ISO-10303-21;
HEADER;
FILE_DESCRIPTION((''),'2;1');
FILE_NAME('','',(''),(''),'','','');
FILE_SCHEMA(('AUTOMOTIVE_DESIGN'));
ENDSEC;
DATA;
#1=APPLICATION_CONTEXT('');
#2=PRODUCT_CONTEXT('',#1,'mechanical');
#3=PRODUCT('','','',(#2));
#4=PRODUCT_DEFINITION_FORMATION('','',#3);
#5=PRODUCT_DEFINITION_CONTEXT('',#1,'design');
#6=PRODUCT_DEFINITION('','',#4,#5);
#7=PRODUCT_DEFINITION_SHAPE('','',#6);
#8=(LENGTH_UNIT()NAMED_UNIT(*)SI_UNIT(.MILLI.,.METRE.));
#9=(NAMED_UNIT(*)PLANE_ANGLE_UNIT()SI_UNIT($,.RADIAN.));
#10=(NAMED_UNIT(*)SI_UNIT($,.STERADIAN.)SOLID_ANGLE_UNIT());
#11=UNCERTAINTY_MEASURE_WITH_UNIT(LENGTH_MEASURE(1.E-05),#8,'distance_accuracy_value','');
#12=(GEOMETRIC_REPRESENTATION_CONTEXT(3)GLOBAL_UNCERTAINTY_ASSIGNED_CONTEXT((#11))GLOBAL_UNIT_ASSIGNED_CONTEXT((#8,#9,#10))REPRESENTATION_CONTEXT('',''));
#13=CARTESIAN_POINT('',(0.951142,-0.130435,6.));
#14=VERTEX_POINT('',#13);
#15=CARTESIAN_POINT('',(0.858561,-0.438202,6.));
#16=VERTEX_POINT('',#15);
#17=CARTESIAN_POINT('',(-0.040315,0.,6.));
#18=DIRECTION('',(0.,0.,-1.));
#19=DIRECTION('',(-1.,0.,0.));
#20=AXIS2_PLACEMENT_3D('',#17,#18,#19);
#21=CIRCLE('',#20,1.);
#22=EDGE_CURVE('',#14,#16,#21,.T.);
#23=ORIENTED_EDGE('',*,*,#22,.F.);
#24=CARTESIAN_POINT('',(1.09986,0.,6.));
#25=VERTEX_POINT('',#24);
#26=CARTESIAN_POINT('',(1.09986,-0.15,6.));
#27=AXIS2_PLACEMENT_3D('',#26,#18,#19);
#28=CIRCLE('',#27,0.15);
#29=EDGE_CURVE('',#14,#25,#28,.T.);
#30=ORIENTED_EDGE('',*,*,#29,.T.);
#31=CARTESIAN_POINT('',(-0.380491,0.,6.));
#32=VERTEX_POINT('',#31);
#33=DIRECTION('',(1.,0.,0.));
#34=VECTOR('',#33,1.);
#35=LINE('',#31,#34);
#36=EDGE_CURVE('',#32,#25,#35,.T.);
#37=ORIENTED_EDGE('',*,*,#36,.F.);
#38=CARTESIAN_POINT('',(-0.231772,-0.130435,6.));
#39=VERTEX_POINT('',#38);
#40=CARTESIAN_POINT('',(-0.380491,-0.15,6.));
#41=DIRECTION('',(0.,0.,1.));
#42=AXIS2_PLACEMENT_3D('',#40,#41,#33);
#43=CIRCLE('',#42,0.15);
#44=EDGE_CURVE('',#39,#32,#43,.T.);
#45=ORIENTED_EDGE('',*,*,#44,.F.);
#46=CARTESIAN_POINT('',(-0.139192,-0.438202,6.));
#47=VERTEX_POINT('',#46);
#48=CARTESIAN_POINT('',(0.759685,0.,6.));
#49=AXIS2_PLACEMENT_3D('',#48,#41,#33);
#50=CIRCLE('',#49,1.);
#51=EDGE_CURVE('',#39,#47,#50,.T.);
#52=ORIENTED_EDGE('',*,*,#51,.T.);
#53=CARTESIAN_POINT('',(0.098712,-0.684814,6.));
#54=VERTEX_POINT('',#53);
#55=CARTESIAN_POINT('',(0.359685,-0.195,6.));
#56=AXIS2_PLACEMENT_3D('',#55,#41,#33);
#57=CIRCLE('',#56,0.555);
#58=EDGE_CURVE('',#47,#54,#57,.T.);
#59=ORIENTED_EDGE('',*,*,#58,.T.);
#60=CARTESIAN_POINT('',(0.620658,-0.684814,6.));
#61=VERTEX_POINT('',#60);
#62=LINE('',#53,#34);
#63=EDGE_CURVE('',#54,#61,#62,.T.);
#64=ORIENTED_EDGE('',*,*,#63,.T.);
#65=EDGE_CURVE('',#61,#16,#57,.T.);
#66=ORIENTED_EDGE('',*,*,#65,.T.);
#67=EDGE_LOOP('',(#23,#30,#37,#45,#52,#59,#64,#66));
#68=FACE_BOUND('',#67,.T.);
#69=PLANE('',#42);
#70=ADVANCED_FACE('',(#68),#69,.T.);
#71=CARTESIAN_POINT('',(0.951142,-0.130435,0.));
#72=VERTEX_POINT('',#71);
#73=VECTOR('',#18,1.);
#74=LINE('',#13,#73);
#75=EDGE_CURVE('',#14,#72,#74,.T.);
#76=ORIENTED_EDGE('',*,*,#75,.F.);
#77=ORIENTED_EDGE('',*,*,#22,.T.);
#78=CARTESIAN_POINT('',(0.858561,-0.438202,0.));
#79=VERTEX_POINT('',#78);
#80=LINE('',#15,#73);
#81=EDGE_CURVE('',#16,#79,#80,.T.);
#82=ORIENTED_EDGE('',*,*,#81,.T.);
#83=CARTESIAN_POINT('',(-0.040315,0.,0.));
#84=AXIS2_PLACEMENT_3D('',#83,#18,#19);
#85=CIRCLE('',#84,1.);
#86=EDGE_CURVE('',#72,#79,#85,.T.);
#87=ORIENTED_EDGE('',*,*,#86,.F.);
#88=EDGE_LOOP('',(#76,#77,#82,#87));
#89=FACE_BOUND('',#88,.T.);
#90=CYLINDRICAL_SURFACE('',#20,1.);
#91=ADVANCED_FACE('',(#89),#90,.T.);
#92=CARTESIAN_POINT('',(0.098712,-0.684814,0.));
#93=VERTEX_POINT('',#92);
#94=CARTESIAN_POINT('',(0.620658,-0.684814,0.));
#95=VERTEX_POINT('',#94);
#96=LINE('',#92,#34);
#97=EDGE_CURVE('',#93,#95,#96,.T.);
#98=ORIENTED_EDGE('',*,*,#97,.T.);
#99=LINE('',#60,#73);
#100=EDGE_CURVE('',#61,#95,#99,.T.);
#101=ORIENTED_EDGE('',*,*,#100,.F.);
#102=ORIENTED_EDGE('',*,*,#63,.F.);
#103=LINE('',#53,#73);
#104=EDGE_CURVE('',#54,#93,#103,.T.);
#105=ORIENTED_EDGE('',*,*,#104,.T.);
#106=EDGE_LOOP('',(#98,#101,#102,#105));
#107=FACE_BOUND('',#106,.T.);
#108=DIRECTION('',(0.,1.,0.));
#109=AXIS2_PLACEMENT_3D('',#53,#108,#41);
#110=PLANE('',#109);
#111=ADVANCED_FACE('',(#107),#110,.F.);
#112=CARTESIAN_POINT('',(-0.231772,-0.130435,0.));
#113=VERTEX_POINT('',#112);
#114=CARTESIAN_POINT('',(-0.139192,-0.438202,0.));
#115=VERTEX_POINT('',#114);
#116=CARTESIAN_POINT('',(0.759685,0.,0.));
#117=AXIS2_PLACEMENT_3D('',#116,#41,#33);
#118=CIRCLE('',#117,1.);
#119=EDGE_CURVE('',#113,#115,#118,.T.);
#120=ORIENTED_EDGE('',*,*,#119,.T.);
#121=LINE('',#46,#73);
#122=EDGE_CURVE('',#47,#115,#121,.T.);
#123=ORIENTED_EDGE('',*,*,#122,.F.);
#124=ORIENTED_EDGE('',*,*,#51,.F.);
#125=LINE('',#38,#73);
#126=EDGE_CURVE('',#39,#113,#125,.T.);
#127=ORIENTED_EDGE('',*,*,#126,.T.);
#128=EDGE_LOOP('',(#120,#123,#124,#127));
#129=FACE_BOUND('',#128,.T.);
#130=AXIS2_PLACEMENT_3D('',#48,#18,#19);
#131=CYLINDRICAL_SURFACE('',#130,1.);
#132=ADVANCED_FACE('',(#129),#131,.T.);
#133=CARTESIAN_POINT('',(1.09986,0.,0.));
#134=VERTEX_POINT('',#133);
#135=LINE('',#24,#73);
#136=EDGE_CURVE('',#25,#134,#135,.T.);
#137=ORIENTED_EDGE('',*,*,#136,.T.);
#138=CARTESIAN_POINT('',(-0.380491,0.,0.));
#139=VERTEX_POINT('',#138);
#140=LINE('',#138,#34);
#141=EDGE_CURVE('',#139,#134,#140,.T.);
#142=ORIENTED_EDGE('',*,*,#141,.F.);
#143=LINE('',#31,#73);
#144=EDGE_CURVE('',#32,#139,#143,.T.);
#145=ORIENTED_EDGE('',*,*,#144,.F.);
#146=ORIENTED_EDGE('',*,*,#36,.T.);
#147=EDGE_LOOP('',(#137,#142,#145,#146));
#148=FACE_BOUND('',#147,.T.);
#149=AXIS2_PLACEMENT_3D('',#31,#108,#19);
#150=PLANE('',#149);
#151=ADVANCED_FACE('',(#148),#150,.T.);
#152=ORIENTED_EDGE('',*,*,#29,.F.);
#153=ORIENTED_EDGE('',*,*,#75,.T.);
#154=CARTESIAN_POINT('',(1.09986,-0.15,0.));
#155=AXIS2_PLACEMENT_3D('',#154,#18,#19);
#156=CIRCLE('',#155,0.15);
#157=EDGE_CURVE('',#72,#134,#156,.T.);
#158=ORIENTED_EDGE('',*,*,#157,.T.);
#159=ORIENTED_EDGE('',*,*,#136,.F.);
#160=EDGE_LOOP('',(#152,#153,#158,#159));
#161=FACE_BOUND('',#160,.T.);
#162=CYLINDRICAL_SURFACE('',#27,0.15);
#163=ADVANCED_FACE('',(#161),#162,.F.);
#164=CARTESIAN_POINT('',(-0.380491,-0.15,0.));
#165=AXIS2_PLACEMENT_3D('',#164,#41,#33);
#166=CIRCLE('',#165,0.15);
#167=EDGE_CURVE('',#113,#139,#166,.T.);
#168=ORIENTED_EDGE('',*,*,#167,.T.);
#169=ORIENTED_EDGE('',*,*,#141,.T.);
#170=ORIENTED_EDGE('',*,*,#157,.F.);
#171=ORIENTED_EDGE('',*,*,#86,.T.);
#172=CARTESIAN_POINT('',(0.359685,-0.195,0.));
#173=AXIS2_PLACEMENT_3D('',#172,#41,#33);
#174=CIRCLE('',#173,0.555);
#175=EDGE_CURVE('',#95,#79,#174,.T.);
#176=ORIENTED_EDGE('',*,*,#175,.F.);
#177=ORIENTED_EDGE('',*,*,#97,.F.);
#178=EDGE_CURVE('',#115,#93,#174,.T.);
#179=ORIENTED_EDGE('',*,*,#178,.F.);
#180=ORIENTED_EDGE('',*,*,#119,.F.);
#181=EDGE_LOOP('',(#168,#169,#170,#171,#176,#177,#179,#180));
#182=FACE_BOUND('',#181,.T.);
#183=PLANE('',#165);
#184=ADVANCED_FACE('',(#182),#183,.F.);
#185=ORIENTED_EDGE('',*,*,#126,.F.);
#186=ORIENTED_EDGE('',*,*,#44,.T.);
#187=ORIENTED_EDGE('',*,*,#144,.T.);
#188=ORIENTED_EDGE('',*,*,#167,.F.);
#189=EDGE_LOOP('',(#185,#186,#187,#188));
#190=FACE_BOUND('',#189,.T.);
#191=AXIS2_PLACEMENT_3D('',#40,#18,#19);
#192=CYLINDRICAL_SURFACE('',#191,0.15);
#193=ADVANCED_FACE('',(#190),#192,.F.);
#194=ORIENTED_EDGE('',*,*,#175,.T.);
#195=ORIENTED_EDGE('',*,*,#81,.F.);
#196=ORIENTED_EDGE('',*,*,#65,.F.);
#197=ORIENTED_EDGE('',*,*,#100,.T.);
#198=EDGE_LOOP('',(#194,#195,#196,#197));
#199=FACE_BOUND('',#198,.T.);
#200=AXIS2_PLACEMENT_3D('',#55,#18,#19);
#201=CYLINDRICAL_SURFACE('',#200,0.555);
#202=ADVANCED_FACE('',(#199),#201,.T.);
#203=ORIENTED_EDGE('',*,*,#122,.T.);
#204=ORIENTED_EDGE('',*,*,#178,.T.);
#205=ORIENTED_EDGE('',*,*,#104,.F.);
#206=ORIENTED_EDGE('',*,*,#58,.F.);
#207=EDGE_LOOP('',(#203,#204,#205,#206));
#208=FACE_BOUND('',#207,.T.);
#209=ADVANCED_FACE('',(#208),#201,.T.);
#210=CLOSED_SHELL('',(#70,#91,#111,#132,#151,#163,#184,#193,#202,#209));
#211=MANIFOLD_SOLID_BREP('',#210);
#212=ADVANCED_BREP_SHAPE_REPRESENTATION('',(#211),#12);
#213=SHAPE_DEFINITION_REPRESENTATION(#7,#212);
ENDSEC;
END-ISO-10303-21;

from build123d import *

# Parameters (mm, degrees)
SALIENTE_EXTRUIR1_DEPTH = 6


with BuildPart() as part:
    # Croquis1 → Saliente-Extruir1 (new body)
    with BuildSketch(Plane.XY):
        with BuildLine():
            Line((-0.380490642, 0), (1.099860208, 0))
            ThreePointArc((1.099860208, 0), (1.000953137, -0.037228588), (0.951141675, -0.130434783))
            ThreePointArc((0.951141675, -0.130434783), (0.917296498, -0.288062154), (0.858561188, -0.438202247))
            ThreePointArc((0.858561188, -0.438202247), (0.759118236, -0.580328323), (0.620657535, -0.684814478))
            Line((0.620657535, -0.684814478), (0.098712031, -0.684814478))
            ThreePointArc((0.098712031, -0.684814478), (-0.03974867, -0.580328323), (-0.139191621, -0.438202247))
            ThreePointArc((-0.139191621, -0.438202247), (-0.197926931, -0.288062154), (-0.231772108, -0.130434783))
            ThreePointArc((-0.231772108, -0.130434783), (-0.281583571, -0.037228588), (-0.380490642, 0))
        make_face()
    extrude(amount=SALIENTE_EXTRUIR1_DEPTH)


solid = part.part
